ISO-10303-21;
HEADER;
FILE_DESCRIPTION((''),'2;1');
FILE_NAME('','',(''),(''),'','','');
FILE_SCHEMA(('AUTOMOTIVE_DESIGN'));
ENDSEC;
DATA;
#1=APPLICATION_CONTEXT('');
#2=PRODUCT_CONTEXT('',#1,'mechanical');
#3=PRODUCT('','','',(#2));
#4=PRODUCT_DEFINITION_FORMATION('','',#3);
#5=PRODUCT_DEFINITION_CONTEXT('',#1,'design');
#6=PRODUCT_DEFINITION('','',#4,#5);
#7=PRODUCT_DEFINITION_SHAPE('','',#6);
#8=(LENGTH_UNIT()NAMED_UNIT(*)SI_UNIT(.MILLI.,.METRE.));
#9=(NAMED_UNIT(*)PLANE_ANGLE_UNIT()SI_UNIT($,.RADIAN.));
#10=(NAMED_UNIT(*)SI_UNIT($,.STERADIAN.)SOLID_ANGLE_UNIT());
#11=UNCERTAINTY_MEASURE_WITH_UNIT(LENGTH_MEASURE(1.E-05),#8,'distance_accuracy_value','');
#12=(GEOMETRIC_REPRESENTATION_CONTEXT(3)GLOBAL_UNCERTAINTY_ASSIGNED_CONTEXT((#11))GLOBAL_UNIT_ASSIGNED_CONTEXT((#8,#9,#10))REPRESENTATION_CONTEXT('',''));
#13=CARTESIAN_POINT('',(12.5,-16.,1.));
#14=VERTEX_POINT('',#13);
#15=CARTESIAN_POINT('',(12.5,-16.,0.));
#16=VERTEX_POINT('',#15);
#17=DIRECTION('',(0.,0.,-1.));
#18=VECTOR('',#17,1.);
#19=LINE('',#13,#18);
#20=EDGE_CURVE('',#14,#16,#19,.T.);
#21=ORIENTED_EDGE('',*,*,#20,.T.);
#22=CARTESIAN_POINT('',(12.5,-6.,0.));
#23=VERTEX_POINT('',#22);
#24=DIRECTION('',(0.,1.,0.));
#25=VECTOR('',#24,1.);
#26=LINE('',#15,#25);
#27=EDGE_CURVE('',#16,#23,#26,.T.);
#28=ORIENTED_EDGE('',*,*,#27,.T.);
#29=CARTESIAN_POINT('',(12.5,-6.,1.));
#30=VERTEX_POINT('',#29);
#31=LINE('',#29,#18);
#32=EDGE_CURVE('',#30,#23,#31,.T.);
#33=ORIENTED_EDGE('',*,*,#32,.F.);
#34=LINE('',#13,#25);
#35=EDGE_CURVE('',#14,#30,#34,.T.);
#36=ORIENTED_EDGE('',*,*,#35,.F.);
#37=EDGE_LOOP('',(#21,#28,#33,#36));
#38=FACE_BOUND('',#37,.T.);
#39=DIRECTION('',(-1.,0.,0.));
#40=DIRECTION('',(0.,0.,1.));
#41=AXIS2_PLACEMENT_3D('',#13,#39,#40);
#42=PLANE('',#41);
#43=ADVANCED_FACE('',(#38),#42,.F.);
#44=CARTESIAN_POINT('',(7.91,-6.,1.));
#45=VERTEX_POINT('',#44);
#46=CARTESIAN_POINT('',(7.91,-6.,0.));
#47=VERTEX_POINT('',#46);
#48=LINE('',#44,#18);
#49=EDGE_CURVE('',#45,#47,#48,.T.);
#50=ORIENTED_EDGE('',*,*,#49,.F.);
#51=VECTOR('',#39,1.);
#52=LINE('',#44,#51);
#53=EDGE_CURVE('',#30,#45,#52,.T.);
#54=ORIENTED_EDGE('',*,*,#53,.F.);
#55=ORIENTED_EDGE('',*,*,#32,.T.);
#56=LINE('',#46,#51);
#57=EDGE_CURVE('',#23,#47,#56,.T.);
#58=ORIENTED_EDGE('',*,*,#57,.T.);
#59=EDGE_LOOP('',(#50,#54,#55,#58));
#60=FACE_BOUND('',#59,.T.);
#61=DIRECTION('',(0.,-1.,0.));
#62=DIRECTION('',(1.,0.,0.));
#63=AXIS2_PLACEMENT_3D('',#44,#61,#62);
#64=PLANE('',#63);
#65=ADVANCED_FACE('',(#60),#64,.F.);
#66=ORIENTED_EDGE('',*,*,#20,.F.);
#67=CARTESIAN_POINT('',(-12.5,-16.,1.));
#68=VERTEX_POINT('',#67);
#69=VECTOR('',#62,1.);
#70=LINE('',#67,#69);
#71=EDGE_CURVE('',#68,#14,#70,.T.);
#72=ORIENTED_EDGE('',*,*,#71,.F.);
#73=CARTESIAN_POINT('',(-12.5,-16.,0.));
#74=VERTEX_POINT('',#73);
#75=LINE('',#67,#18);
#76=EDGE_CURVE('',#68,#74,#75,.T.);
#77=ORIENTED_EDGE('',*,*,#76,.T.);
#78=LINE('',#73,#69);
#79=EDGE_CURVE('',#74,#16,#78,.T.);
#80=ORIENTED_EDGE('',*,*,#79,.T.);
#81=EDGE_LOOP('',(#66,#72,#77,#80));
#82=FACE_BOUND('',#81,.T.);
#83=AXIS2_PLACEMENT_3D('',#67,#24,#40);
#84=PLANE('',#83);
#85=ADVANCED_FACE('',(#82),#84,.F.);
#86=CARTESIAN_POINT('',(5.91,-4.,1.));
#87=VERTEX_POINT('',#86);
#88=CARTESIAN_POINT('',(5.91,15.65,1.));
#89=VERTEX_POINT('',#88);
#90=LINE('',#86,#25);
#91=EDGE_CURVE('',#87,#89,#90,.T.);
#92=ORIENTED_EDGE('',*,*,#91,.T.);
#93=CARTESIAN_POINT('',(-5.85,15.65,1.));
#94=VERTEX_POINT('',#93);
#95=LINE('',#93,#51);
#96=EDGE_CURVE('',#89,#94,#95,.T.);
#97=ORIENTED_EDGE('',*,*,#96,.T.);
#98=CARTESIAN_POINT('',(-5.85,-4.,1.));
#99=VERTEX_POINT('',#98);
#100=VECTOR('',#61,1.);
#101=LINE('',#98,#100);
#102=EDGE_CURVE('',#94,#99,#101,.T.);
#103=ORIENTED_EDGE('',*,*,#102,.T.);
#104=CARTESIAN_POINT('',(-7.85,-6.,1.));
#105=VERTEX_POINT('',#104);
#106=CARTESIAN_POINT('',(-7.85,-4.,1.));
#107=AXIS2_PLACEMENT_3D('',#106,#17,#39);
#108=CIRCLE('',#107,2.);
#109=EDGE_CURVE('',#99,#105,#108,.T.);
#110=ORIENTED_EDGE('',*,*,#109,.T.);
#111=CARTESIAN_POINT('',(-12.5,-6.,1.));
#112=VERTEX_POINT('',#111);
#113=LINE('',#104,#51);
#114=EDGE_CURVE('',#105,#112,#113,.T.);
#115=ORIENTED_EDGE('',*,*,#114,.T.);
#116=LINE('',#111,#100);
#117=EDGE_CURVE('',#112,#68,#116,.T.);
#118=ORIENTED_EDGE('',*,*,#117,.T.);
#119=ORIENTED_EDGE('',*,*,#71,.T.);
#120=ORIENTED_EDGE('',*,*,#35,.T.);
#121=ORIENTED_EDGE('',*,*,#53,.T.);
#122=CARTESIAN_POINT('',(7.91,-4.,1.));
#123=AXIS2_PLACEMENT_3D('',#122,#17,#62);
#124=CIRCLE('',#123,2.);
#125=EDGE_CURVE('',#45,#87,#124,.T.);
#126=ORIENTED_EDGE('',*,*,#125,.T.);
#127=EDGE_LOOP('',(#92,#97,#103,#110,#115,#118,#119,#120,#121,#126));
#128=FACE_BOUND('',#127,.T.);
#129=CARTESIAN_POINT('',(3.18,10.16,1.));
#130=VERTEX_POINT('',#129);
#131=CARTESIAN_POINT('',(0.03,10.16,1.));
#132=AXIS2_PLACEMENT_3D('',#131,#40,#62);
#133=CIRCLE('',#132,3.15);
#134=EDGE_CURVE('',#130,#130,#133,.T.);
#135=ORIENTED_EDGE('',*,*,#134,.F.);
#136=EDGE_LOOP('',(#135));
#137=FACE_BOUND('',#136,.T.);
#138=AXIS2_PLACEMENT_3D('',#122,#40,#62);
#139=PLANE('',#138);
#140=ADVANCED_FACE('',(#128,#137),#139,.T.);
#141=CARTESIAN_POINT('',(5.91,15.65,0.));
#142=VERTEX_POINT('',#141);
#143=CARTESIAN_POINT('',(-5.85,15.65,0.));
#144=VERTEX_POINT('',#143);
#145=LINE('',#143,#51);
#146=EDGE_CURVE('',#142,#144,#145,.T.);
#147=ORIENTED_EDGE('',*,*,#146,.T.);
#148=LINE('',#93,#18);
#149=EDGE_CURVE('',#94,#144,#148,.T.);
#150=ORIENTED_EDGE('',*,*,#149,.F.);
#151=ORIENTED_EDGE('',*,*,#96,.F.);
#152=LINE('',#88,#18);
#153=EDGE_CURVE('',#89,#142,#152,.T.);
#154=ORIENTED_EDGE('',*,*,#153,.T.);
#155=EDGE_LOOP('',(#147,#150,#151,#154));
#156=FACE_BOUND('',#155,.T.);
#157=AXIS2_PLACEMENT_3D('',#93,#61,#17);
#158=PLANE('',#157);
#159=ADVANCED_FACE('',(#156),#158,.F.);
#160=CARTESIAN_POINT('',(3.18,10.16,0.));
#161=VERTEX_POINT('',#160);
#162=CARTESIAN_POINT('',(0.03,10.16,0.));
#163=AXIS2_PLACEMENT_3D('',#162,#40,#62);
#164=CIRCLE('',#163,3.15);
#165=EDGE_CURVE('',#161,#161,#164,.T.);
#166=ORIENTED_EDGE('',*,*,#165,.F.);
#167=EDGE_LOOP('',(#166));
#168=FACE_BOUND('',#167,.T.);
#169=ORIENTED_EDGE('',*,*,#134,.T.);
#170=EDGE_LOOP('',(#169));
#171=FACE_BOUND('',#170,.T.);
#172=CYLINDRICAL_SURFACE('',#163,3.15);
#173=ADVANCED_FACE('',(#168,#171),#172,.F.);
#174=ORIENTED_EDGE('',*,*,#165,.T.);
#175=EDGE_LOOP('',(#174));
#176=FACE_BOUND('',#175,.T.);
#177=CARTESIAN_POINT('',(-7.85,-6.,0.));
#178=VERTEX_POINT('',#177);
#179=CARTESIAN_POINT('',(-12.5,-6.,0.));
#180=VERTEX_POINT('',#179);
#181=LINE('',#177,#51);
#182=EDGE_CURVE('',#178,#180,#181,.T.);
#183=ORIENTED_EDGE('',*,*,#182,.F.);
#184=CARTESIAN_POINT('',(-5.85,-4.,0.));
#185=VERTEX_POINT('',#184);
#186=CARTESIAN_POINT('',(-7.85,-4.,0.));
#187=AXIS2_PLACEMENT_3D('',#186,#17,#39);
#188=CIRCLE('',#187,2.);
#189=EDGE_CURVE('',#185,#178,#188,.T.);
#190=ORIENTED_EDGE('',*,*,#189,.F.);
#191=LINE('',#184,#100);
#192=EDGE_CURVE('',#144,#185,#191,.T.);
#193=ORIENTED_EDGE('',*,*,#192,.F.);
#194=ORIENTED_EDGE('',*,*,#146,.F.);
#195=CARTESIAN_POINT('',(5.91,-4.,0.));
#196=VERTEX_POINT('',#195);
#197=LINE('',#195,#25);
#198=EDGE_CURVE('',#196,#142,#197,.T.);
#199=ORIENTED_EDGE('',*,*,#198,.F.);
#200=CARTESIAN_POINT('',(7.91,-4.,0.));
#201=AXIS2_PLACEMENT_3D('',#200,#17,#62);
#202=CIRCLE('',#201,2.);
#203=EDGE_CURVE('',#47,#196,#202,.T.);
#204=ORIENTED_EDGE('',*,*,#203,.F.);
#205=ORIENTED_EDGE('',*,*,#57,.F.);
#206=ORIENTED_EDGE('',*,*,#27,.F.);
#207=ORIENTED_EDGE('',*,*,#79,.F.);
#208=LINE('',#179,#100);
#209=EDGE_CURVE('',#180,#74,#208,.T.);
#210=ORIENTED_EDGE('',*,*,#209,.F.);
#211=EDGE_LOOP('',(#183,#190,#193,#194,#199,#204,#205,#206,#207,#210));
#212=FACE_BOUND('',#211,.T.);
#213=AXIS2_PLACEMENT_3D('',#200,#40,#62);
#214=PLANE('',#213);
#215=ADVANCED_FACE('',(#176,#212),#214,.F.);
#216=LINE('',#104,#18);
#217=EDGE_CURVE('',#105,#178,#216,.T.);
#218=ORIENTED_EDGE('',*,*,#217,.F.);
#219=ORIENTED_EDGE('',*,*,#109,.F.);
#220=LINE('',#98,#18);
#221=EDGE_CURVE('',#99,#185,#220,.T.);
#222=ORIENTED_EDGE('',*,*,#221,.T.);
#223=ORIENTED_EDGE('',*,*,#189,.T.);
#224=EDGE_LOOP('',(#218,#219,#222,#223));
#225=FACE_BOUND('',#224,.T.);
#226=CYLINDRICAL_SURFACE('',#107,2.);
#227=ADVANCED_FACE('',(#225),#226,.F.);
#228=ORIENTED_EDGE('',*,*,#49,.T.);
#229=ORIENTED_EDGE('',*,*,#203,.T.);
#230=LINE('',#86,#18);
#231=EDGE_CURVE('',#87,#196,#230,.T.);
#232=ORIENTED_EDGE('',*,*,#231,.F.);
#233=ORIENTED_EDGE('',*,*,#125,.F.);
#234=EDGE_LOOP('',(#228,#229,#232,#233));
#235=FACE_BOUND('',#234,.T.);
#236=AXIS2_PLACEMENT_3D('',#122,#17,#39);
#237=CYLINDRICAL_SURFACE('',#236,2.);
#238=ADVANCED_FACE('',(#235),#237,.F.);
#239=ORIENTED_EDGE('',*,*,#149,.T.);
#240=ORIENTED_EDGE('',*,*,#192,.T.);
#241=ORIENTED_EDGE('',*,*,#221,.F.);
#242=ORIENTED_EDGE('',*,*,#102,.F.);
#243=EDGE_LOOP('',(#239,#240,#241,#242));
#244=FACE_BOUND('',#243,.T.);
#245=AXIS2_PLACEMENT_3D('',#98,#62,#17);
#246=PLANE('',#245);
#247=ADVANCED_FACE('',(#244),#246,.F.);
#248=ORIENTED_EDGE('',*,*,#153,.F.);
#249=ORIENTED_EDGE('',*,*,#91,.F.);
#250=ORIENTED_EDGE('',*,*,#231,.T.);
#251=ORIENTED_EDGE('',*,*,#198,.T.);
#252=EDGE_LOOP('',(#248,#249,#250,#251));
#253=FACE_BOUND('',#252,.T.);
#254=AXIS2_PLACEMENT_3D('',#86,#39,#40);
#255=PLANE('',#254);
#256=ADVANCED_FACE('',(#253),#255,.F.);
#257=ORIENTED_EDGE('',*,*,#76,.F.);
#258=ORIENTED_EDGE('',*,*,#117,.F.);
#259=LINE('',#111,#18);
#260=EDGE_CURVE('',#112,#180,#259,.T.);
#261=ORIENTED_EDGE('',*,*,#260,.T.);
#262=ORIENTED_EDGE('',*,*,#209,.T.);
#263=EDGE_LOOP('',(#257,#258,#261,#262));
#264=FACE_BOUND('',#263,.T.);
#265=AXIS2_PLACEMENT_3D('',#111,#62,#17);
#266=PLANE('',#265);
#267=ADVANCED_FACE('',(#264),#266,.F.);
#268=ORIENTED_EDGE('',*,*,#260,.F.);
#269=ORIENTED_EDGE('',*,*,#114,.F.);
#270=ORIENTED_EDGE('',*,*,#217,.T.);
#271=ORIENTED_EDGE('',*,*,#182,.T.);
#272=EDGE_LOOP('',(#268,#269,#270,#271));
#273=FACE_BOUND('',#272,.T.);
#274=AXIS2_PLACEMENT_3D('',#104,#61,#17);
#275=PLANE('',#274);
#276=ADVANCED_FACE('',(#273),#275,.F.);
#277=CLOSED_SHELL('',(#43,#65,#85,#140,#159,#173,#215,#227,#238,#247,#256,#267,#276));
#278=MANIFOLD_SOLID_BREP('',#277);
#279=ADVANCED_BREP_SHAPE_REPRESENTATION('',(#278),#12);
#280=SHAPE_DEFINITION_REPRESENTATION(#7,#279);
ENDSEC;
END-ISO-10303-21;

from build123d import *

# Parameters (mm, degrees)
DODANIE_WYCI_GNI_CIE1_DEPTH = 1
SZKIC2_R                    = 3.15
WYTNIJ_WYCI_GNI_CIE1_DEPTH  = 1


with BuildPart() as part:
    # Szkic1 → Dodanie-wyciągnięcie1 (new body)
    with BuildSketch(Plane.XY):
        with BuildLine():
            Line((-12.5, -6), (-12.5, -16))
            Line((-12.5, -16), (12.5, -16))
            Line((12.5, -16), (12.5, -6))
            Line((12.5, -6), (7.91, -6))
            ThreePointArc((7.91, -6), (6.495786438, -5.414213562), (5.91, -4))
            Line((5.91, -4), (5.91, 15.65))
            Line((5.91, 15.65), (-5.85, 15.65))
            Line((-5.85, 15.65), (-5.85, -4))
            ThreePointArc((-5.85, -4), (-6.435786438, -5.414213562), (-7.85, -6))
            Line((-7.85, -6), (-12.5, -6))
        make_face()
    extrude(amount=DODANIE_WYCI_GNI_CIE1_DEPTH)

    # Szkic2 → Wytnij-wyciągnięcie1 (cut)
    with BuildSketch(Plane.XY.offset(1)):
        with Locations((0.03, 10.16)):
            Circle(SZKIC2_R)
    extrude(amount=-WYTNIJ_WYCI_GNI_CIE1_DEPTH, mode=Mode.SUBTRACT)


solid = part.part
